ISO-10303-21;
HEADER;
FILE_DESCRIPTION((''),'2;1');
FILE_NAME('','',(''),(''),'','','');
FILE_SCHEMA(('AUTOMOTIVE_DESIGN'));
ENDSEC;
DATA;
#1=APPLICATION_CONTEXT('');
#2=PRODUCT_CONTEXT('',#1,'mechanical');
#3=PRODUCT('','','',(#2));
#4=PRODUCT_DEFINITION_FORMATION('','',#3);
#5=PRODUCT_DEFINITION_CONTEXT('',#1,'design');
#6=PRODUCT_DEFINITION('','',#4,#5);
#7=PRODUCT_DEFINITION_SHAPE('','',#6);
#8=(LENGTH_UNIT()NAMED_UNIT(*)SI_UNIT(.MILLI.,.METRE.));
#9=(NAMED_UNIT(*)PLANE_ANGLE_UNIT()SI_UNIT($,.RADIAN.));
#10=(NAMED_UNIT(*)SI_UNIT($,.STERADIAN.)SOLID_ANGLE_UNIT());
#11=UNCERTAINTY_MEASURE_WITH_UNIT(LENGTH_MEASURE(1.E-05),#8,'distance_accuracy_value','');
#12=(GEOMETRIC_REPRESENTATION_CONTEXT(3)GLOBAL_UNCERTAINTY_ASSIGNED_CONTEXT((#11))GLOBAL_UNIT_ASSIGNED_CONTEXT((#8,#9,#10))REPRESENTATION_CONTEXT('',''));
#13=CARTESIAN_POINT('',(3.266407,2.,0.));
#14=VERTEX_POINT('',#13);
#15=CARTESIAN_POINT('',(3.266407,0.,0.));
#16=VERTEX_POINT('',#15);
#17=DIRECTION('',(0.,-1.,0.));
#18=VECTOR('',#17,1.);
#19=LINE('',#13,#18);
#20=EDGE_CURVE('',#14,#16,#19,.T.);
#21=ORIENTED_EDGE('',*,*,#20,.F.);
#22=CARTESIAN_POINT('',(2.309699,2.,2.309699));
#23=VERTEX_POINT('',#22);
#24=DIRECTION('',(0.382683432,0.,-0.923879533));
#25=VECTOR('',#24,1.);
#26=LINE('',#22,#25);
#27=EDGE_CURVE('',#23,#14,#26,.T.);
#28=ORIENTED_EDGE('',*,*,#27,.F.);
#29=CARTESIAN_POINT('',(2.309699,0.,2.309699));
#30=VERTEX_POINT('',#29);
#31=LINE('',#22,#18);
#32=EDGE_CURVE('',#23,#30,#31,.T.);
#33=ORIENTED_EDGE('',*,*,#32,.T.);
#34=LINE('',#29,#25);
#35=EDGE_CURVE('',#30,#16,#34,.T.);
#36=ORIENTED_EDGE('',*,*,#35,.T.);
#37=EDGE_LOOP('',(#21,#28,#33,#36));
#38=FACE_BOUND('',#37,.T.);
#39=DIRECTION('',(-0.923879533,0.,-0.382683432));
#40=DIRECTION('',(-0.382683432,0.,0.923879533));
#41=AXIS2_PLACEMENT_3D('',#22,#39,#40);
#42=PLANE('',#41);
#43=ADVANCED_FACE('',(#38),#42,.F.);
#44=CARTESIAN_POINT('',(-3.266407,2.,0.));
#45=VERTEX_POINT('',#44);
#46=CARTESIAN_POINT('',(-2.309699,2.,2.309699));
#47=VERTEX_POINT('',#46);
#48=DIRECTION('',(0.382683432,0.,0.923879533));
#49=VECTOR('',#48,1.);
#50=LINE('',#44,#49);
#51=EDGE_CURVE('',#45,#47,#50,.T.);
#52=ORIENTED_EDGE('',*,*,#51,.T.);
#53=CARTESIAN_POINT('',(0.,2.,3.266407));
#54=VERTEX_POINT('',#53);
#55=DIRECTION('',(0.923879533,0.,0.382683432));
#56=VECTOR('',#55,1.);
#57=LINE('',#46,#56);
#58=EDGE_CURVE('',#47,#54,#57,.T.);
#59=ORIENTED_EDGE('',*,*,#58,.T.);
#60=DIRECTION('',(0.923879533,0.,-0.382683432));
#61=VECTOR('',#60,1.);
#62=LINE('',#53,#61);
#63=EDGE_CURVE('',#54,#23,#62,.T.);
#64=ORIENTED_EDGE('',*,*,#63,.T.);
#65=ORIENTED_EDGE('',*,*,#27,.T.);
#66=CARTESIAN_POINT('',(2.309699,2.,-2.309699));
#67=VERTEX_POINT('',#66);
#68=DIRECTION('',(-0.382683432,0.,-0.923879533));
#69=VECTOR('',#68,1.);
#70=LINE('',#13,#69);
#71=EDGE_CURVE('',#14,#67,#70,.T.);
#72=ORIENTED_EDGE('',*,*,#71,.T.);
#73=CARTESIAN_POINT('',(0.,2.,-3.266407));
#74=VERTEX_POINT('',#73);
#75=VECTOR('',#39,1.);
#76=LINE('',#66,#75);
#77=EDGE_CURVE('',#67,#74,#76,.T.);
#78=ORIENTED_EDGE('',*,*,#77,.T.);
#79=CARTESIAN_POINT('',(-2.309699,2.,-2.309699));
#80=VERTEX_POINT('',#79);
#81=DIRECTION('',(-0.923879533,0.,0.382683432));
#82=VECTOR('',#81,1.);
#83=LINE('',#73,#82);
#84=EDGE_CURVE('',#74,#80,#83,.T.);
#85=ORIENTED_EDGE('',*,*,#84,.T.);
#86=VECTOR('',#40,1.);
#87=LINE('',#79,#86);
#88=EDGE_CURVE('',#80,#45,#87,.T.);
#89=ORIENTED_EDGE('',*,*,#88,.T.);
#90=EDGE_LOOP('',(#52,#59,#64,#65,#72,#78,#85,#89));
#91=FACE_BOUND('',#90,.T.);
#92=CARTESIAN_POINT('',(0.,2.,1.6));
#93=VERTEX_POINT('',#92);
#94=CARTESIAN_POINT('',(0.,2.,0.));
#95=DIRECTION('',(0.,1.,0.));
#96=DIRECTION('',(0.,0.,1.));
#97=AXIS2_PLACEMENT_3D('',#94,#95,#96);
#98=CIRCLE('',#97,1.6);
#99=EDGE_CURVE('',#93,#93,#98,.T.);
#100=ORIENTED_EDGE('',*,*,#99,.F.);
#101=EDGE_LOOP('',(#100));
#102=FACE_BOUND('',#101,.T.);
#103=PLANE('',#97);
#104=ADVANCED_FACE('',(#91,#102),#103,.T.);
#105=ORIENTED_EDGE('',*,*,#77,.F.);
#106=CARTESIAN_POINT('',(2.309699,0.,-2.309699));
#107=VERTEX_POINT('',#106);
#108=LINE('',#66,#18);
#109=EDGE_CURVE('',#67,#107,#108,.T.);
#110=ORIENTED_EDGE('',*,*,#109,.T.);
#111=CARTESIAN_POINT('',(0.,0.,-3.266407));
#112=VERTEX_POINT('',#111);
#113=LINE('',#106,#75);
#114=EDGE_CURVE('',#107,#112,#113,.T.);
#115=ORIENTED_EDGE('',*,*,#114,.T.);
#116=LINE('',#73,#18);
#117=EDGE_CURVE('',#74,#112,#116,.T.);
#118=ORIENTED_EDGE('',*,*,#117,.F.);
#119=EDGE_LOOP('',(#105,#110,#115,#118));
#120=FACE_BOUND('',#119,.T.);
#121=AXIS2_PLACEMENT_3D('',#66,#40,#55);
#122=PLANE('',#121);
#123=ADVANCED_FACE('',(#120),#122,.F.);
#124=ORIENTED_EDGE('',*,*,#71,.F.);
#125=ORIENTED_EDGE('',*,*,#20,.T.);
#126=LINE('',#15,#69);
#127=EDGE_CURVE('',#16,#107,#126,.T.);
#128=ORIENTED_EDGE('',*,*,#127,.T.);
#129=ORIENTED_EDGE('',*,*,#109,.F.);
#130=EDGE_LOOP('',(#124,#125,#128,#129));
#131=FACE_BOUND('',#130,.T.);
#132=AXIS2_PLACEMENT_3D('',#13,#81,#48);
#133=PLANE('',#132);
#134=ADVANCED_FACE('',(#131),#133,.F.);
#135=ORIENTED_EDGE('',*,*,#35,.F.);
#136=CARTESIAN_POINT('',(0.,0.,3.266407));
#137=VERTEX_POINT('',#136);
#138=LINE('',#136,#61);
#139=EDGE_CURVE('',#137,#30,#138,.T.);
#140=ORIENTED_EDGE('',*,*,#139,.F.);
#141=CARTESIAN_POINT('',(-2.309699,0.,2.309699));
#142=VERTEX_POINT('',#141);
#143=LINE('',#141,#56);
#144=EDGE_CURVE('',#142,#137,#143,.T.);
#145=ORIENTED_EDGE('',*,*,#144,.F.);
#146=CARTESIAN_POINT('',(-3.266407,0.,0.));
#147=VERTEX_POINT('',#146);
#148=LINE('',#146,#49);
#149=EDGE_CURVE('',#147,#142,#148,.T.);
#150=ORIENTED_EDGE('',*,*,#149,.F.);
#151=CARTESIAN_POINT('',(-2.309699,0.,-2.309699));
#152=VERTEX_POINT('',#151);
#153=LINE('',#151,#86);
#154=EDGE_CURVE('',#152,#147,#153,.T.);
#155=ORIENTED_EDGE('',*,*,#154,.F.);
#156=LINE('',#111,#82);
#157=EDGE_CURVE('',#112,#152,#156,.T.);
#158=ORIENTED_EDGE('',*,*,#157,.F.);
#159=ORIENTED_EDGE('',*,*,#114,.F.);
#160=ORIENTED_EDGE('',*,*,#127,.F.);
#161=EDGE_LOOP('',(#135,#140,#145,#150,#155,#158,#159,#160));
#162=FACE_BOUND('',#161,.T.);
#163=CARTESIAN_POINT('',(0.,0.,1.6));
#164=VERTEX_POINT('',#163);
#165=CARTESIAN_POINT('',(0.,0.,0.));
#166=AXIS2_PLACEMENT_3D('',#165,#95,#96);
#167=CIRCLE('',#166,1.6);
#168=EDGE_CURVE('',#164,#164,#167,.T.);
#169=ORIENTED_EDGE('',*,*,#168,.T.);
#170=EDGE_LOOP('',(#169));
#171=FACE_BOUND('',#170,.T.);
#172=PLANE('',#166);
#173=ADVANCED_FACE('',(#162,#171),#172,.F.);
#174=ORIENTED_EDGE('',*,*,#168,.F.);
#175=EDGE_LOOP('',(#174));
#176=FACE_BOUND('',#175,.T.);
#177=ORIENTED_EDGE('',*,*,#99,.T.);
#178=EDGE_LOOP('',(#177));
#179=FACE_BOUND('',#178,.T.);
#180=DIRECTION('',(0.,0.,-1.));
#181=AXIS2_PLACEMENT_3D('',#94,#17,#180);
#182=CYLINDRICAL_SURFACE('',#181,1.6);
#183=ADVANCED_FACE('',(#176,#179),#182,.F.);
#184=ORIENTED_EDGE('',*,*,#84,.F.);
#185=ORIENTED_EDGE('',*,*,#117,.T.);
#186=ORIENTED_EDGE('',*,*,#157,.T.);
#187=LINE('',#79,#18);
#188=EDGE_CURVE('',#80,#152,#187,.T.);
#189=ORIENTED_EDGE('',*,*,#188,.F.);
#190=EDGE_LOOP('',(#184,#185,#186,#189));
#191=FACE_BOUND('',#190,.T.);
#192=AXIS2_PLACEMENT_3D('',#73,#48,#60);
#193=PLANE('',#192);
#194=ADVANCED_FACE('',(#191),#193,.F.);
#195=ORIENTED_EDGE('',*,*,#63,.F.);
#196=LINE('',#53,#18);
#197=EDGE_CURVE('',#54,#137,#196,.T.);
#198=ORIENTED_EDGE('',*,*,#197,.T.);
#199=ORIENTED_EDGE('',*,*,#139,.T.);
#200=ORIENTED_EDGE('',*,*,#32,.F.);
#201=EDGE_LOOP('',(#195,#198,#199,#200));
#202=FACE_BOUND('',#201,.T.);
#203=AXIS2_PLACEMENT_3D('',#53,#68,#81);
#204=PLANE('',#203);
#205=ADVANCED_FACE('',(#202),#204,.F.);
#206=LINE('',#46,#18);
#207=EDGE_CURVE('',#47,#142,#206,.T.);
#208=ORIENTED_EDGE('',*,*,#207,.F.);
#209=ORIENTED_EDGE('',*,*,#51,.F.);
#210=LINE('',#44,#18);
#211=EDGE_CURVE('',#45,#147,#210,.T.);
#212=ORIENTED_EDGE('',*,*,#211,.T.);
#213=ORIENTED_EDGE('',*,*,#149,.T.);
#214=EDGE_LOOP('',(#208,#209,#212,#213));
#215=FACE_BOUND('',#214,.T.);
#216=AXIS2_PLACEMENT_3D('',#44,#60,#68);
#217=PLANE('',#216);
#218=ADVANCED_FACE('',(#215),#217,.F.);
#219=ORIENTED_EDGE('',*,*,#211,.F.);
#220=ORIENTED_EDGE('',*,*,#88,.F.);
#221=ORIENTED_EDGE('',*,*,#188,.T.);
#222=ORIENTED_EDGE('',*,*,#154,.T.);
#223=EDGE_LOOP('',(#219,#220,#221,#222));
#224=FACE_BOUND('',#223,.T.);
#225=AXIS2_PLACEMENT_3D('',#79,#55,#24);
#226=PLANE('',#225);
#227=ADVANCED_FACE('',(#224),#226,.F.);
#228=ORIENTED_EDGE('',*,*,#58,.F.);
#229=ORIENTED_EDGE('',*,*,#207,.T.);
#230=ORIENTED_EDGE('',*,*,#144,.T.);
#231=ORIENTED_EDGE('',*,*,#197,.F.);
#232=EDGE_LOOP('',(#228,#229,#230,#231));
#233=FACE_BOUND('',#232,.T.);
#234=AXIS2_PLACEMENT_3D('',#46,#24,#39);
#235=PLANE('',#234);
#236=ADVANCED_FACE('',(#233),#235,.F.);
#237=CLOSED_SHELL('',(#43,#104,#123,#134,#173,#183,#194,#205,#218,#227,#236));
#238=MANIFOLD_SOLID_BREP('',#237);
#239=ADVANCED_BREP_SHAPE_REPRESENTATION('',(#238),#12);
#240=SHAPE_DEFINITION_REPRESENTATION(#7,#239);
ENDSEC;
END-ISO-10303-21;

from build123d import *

# Parameters (mm, degrees)
SKETCH1_R           = 1.6
BOSS_EXTRUDE1_DEPTH = 2


with BuildPart() as part:
    # Sketch1 → Boss-Extrude1 (new body)
    with BuildSketch(Plane(origin=(0, 0, 0), x_dir=(1, 0, 0), z_dir=(0, 1, 0))):
        Polygon((3.266407412, 0), (2.309698831, 2.309698831), (0, 3.266407412), (-2.309698831, 2.309698831), (-3.266407412, 0), (-2.309698831, -2.309698831), (0, -3.266407412), (2.309698831, -2.309698831), align=None)
        with Locations(Location((0, 0, 0), (0, 0, 270))):
            Circle(SKETCH1_R, mode=Mode.SUBTRACT)
    extrude(amount=BOSS_EXTRUDE1_DEPTH)


solid = part.part
